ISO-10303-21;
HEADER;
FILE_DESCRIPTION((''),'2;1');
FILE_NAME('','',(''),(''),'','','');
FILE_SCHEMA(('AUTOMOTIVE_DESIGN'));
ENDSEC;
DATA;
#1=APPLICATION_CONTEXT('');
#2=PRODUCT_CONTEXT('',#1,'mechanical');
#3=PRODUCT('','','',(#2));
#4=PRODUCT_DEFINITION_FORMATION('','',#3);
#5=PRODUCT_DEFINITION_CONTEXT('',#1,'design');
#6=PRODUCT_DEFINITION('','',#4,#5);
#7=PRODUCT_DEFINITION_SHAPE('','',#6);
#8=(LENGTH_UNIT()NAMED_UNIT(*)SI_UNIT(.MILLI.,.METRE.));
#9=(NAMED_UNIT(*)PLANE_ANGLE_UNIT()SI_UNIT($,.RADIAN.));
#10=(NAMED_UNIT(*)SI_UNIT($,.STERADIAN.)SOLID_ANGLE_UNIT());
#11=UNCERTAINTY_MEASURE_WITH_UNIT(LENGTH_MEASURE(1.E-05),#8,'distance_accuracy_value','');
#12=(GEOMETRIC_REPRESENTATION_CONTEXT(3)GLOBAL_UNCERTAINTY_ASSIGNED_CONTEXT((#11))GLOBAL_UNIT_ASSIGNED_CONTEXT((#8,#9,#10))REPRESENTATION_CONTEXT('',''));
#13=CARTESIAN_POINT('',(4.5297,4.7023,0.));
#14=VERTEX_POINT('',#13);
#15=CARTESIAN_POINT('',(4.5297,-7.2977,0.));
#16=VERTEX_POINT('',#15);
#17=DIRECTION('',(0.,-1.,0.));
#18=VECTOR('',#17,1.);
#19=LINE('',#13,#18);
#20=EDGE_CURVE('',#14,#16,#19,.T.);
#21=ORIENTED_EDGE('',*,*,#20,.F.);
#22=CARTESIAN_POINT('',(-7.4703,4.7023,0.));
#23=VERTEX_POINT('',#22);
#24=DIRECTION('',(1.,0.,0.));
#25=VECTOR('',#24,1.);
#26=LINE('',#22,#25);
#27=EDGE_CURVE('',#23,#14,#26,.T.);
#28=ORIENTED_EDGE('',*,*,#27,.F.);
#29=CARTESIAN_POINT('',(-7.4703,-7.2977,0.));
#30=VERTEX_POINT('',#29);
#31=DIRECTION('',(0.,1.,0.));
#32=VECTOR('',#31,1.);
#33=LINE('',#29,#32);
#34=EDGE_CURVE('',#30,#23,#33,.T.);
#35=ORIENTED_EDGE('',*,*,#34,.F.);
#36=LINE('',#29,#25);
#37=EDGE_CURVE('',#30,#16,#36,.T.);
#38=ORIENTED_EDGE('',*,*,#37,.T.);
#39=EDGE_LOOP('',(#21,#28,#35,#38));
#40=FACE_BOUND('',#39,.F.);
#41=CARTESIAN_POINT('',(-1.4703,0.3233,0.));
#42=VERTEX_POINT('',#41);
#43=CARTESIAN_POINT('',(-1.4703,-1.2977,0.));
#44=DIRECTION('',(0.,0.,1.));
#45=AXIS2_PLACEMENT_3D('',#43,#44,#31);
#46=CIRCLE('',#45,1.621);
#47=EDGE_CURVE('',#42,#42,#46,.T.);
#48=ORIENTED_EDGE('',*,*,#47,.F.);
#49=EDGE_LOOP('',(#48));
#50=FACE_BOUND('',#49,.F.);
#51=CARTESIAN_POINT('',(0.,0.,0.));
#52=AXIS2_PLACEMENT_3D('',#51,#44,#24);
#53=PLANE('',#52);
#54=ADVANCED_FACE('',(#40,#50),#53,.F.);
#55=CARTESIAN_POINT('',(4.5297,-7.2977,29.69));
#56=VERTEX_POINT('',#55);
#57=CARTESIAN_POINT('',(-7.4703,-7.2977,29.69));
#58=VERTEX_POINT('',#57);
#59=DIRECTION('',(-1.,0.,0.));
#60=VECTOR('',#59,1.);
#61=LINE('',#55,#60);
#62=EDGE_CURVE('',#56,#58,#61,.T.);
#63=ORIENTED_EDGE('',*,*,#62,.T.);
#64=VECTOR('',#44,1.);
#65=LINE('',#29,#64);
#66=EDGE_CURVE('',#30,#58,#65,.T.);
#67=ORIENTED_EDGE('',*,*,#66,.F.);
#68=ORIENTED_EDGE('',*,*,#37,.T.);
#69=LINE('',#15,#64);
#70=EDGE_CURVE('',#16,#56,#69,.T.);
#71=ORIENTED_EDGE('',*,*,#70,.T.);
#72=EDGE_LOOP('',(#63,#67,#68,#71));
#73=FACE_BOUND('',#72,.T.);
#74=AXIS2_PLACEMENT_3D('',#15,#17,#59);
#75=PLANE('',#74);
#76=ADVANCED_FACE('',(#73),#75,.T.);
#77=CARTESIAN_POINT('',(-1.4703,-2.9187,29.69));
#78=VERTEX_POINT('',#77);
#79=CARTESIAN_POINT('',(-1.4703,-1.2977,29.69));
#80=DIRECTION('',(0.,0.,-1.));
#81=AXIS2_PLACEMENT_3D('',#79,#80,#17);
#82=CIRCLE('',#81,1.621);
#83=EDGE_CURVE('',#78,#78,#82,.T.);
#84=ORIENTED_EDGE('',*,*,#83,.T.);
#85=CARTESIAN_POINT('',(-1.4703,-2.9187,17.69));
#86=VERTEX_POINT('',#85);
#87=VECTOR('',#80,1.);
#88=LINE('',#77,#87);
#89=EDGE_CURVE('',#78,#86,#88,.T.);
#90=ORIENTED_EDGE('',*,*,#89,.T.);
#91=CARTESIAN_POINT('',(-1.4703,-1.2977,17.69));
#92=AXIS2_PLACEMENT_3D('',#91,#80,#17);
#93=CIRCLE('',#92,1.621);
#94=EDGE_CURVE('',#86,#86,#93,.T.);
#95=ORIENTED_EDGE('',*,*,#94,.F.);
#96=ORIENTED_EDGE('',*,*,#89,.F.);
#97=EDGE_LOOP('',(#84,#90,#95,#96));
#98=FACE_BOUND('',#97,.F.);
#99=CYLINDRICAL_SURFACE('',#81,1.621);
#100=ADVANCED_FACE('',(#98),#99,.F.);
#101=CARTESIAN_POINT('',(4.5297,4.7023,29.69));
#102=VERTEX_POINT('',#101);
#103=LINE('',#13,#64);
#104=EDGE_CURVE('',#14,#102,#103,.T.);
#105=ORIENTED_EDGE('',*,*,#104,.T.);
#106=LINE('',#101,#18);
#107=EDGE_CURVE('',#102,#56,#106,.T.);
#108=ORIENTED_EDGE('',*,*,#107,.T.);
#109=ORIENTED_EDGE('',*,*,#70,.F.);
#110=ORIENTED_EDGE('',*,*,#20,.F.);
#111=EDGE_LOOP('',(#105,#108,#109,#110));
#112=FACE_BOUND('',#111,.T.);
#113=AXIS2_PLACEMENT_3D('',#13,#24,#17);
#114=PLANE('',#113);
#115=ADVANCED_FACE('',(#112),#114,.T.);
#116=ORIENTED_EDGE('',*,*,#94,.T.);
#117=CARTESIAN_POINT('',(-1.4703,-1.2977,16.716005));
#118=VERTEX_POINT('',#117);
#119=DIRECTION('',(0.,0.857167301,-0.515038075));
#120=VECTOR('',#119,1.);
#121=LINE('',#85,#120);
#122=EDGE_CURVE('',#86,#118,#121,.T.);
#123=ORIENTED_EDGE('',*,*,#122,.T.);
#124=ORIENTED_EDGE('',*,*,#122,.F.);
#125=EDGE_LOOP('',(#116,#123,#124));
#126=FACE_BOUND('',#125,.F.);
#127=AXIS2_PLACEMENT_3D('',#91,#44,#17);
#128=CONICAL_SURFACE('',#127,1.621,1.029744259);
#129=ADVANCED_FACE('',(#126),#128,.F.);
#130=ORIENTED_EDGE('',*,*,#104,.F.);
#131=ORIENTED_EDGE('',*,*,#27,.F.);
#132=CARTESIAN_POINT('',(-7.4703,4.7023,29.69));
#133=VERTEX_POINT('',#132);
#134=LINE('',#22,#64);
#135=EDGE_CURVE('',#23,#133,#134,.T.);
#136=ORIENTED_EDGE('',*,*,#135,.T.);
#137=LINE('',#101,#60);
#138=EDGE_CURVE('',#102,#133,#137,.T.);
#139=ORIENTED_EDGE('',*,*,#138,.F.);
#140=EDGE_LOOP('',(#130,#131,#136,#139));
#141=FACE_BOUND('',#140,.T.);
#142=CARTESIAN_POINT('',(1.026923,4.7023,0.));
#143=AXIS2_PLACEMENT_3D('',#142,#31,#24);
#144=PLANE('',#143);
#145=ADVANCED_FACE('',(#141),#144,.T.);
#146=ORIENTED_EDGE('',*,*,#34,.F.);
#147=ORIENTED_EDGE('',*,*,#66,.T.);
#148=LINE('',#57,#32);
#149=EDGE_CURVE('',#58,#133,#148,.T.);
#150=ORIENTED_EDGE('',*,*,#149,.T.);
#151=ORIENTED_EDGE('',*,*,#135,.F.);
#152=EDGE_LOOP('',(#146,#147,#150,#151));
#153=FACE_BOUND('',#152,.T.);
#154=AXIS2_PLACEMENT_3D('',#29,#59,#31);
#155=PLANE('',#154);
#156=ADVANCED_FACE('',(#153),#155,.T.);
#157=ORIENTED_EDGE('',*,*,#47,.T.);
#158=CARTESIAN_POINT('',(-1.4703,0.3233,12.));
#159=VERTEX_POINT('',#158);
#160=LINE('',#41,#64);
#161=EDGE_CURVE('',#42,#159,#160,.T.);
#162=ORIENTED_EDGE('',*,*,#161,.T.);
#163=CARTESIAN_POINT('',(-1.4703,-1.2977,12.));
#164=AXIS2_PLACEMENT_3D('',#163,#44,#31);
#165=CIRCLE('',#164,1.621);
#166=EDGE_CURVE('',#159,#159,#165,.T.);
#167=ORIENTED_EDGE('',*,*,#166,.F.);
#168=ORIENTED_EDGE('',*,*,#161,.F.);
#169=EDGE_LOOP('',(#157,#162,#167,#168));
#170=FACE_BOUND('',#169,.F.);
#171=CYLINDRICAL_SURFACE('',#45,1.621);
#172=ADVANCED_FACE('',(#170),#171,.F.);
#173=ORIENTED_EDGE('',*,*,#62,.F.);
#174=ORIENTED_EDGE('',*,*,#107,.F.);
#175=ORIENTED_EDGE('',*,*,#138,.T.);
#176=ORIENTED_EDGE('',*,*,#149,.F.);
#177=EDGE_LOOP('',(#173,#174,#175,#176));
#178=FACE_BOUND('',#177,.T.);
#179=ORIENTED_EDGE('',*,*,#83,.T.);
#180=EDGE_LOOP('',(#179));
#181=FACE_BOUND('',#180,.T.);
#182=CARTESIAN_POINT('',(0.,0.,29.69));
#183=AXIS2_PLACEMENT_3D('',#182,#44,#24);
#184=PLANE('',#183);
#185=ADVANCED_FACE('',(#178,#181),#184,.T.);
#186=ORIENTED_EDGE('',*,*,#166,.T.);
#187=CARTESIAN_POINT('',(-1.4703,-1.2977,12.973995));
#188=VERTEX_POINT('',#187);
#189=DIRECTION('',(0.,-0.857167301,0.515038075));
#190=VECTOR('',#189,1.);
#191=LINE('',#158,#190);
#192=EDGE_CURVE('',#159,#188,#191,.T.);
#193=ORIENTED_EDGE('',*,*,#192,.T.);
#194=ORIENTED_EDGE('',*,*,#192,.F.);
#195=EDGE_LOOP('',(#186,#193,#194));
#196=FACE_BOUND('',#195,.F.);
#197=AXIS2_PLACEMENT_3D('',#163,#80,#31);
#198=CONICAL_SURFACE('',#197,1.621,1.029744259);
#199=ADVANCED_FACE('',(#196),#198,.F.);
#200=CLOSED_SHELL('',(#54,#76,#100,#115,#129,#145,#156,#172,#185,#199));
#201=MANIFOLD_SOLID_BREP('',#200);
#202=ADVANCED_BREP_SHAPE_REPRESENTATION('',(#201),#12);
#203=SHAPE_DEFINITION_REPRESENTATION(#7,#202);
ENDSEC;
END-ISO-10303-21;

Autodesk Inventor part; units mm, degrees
ref_plane "YZ Plane" through (0, 0, 0) normal (1, 0, 0) x (0, 1, 0)
ref_plane "XZ Plane" through (0, 0, 0) normal (0, 1, 0) x (-1, 0, 0)
sketch "Esboço1" plane through (0, 0, 0) normal (0, 0, 1) x (1, 0, 0)
  line L0 (4.9347, -7.2977) -> (-6.5153, -7.2977) projected
  line L1 (4.9347, -7.2977) -> (4.9347, 10.1323) projected
  line L2 (4.9347, 10.1323) -> (2.5947, 10.1323) projected
  line L3 (2.5947, 10.1323) -> (-0.1453, 0.6423) projected
  line L4 (-0.1453, 0.6423) -> (-0.1453, -1.2977) projected
  arc A0 (-2.7953, -1.2977) -> (-0.1453, -1.2977) centre (-1.4703, -1.2977) ccw projected
  line L5 (-2.7953, -1.2977) -> (-2.7953, 2.6323) projected
  line L6 (-2.7953, 2.6323) -> (-6.5153, 2.6323) projected
  line L7 (-6.5153, 2.6323) -> (-6.5153, -7.2977) projected
  line L8 (-7.4703, 4.7023) -> (4.5297, 4.7023)
  line L9 (4.5297, 4.7023) -> (4.5297, -7.2977)
  line L10 (4.5297, -7.2977) -> (-7.4703, -7.2977)
  line L11 (-7.4703, -7.2977) -> (-7.4703, 4.7023)
  line L12 (-7.4703, 4.7023) -> (4.5297, -7.2977) construction
  line L13 (4.5297, 4.7023) -> (-7.4703, -7.2977) construction
  point P0 (0, 0)
  dimension "d0" = 12
  dimension "d1" = 12
ref_plane "Plano de trabalho1" through (-14.4853, -144.1477, 29.69) normal (0, 0, -1) x (0, 1, 0)
extrude "Extrusão1" add sketch "Esboço1" along normal up to surface (29.69 mm away) contours L0 L7 L6 L5 A0 L4 L3 L8 L9 | L10 L11 L8 L3 L4 A0 L5 L6 L7
sketch "Esboço3" plane through (0, 0, 0) normal (0, 0, -1) x (-1, 0, 0)
  line L0 (-4.5297, 4.7023) -> (7.4703, 4.7023) projected
  line L1 (7.4703, -7.2977) -> (-4.5297, -7.2977) projected
  line L2 (-4.5297, -7.2977) -> (-4.5297, 4.7023) construction
  line L3 (-4.5297, 4.7023) -> (7.4703, -7.2977) construction
  line L4 (7.4703, 4.7023) -> (-4.5297, -7.2977) construction
  circle A0 centre (1.4703, -1.2977) radius 3 construction
  dimension "d13" = 6
hole "Furo2" at (-1.4703, -1.2977, 0) direction (0, 0, 1) diameter 3.242 depth 12 tip angle 118 thread size "M4x0.7" class "6H" standard "ISO Metric profile"
sketch "Esboço5" plane through (-7.4703, 4.7023, 29.69) normal (0, 0, 1) x (1, 0, 0)
  circle A0 centre (6, -6) radius 1.621 projected
  circle A1 centre (6, -6) radius 3.7537 construction
hole "Furo3" at (-1.4703, -1.2977, 29.69) direction (0, 0, -1) diameter 3.242 depth 12 tip angle 118 thread size "M4x0.7" class "6H" standard "ISO Metric profile"
properties part number "espassador_soprador" material "Alumínio 6061"
